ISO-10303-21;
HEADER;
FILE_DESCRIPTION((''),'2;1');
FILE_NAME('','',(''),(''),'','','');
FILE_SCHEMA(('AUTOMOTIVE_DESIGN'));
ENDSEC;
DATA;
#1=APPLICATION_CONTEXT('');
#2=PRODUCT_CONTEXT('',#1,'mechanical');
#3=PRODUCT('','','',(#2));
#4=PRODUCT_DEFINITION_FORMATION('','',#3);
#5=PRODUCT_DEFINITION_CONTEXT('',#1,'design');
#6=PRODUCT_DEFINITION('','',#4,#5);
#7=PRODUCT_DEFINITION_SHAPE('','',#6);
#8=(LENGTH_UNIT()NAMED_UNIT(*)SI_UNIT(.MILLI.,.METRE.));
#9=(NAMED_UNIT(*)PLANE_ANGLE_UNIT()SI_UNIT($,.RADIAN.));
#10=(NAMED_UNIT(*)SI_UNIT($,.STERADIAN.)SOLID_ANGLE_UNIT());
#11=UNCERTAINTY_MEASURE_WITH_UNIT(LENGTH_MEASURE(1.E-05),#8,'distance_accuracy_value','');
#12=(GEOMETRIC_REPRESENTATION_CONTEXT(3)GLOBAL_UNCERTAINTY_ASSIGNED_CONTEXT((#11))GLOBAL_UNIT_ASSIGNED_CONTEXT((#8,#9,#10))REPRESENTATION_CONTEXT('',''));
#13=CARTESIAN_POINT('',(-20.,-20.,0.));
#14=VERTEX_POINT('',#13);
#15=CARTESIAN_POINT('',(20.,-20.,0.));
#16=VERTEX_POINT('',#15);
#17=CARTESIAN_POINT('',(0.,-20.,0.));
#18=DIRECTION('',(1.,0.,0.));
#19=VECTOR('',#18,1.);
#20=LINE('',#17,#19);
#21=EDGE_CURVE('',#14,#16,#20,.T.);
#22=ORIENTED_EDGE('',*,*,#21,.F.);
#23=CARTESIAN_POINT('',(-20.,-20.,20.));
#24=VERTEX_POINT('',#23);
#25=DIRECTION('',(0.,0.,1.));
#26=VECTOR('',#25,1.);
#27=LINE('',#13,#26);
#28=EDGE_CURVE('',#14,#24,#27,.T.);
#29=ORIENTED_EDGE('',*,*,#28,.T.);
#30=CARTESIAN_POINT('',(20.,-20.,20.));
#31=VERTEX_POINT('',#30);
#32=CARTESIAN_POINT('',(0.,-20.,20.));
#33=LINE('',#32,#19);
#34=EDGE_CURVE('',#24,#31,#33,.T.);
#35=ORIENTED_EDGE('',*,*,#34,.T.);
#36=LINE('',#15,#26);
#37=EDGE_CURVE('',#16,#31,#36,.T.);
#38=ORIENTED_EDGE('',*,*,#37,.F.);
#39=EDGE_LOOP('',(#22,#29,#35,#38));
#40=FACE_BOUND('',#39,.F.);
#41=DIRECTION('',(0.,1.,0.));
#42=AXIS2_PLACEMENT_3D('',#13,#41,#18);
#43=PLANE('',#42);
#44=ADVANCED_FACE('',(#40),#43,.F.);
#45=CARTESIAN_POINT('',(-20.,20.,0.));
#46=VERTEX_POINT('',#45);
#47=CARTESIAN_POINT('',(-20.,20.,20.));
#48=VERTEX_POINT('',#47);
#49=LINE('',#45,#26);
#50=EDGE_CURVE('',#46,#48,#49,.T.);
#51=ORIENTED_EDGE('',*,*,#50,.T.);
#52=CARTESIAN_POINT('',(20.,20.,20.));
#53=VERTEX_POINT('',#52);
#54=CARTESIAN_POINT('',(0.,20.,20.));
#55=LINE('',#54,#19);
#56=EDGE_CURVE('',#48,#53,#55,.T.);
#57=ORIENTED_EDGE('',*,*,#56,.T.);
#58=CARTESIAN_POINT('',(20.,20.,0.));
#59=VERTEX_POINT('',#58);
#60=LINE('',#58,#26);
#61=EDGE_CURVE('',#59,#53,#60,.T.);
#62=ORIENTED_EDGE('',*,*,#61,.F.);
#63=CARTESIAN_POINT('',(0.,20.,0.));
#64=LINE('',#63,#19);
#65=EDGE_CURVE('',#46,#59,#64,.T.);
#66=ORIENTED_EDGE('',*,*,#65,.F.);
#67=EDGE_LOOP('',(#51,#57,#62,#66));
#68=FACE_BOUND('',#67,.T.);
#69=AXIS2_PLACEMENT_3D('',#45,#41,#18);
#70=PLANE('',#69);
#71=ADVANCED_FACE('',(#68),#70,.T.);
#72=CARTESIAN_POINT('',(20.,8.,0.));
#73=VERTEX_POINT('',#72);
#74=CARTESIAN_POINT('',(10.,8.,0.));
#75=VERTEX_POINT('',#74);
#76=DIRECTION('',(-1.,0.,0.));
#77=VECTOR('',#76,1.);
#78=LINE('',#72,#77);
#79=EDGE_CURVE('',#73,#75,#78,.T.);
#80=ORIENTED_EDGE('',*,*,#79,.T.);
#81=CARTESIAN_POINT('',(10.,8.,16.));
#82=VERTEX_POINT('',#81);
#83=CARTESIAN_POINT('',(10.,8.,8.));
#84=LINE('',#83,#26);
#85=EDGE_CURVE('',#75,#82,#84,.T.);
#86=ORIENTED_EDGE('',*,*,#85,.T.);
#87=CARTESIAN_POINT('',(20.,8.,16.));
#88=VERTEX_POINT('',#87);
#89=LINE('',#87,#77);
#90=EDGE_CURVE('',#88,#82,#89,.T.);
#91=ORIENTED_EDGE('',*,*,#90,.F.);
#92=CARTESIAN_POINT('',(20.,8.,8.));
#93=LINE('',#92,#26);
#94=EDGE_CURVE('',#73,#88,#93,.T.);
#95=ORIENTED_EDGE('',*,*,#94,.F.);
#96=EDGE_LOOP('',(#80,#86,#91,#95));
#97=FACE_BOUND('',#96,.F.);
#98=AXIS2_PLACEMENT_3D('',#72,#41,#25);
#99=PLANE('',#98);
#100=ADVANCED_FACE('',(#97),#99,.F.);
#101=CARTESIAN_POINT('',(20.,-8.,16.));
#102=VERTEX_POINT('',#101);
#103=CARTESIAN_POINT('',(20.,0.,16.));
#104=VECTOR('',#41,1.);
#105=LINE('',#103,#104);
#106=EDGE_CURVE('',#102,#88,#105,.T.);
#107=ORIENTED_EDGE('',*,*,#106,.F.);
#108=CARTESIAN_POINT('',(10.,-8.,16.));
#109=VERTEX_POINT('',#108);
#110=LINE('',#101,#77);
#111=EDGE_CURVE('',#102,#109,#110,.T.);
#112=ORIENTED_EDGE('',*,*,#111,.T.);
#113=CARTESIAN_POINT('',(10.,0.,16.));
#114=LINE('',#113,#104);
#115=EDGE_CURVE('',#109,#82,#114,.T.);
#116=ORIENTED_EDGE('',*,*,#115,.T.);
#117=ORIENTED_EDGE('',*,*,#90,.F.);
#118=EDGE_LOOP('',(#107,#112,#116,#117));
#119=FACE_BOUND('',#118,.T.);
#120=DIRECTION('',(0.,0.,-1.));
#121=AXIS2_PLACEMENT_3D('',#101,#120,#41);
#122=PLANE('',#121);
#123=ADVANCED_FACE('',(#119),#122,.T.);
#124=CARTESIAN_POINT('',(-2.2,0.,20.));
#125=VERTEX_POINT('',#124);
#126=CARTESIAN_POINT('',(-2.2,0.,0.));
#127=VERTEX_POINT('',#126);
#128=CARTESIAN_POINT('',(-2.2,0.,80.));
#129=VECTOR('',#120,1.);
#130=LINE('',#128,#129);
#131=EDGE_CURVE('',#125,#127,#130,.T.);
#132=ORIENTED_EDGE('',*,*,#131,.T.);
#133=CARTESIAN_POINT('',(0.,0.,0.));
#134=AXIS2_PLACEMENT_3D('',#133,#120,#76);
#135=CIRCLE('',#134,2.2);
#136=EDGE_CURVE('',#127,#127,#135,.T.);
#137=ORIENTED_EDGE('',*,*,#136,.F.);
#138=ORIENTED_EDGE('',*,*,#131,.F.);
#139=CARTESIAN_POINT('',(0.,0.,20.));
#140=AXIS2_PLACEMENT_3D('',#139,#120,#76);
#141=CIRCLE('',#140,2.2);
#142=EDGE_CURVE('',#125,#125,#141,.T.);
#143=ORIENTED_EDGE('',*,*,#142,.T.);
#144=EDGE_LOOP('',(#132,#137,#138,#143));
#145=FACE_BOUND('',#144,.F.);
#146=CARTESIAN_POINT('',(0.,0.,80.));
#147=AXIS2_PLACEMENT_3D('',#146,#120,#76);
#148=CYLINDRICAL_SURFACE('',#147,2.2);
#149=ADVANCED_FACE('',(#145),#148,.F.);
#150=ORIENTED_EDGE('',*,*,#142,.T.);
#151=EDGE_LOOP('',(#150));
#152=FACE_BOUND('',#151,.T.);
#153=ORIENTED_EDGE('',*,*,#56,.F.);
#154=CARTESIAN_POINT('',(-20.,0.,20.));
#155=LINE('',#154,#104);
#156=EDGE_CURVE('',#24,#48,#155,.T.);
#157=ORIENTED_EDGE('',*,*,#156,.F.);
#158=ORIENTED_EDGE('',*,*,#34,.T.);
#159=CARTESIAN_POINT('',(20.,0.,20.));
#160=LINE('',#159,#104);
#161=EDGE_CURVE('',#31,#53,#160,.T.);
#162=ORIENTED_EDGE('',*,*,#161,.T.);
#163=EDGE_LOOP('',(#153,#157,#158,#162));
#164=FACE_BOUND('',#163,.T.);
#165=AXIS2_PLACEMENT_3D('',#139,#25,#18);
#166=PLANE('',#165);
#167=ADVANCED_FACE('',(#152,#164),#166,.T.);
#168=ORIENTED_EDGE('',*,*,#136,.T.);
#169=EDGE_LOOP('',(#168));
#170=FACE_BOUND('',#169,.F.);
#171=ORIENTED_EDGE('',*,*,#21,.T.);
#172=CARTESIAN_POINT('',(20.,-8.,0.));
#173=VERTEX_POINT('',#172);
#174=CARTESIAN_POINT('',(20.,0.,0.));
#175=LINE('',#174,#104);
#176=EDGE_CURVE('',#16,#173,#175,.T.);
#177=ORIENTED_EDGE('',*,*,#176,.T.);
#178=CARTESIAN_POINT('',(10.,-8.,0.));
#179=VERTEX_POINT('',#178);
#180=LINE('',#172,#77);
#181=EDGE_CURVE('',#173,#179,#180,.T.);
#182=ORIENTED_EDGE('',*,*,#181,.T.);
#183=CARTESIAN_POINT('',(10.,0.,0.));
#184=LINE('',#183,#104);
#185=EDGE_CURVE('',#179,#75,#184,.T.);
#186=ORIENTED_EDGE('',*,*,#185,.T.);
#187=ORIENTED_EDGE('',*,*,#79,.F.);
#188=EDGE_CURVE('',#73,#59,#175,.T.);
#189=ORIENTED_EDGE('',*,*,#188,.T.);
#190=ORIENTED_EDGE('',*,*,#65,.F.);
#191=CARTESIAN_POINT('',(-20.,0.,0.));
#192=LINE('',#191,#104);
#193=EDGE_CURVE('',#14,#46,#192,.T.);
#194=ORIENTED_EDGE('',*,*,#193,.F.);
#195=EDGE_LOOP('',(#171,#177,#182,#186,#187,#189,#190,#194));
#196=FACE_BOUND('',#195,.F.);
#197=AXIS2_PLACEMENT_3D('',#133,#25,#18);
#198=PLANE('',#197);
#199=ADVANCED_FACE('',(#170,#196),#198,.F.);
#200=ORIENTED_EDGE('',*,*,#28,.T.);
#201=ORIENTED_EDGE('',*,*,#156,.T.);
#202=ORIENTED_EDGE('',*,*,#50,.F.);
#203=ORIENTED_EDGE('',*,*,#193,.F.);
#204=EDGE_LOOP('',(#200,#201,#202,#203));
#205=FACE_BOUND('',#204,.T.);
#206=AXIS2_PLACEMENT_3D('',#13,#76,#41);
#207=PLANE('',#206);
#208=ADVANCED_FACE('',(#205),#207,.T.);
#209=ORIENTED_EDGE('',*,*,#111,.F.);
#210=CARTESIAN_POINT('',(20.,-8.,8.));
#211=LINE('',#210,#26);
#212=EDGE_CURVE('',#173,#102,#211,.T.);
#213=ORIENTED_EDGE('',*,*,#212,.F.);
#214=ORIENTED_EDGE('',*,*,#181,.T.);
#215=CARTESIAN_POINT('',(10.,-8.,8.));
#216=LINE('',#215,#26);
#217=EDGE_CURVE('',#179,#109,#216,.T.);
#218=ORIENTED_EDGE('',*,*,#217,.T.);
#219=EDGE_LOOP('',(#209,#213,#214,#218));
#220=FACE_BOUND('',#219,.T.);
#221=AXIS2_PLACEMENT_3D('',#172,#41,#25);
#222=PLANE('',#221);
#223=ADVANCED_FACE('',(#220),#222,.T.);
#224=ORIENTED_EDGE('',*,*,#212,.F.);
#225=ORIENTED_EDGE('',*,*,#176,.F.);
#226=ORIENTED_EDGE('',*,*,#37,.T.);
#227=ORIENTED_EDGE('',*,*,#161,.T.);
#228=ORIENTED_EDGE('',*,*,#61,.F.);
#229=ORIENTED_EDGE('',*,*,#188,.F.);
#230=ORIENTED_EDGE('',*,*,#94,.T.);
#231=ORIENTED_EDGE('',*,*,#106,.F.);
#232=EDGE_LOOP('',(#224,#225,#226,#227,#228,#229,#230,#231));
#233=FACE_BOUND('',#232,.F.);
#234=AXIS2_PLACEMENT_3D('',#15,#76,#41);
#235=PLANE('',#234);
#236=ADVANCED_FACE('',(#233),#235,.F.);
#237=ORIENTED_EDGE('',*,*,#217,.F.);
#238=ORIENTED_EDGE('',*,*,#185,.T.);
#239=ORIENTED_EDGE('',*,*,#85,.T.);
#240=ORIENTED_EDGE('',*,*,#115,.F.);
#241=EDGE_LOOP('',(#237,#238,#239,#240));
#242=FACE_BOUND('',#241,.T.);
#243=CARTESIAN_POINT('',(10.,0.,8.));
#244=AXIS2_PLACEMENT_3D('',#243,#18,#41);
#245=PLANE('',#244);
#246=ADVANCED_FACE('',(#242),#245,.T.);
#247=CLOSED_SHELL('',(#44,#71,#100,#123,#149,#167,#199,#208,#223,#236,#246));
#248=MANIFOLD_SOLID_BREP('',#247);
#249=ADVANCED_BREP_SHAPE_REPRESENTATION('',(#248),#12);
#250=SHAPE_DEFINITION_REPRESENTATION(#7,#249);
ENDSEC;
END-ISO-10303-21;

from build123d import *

# Parameters (mm, degrees)
F0_W     = 40
F0_H     = 40
F1_DEPTH = 20
F2_W     = 16
F2_H     = 16
F3_DEPTH = 10
F5_D     = 4.4


with BuildPart() as f1:
    # F0 (on Top) → F1 (new body)
    with BuildSketch(Plane.XY):
        Rectangle(F0_W, F0_H)
    extrude(amount=F1_DEPTH)

    # F2 (on face) → F3 (cut)
    with BuildSketch(Plane.YZ.offset(20)):
        with Locations((0, 8)):
            Rectangle(F2_W, F2_H)
    extrude(amount=-F3_DEPTH, mode=Mode.SUBTRACT)

    # F5 (through all)
    with Locations(Plane.XY.offset(20)):
        with Locations((0, 0)):
            Hole(F5_D / 2)


solid = f1.part
